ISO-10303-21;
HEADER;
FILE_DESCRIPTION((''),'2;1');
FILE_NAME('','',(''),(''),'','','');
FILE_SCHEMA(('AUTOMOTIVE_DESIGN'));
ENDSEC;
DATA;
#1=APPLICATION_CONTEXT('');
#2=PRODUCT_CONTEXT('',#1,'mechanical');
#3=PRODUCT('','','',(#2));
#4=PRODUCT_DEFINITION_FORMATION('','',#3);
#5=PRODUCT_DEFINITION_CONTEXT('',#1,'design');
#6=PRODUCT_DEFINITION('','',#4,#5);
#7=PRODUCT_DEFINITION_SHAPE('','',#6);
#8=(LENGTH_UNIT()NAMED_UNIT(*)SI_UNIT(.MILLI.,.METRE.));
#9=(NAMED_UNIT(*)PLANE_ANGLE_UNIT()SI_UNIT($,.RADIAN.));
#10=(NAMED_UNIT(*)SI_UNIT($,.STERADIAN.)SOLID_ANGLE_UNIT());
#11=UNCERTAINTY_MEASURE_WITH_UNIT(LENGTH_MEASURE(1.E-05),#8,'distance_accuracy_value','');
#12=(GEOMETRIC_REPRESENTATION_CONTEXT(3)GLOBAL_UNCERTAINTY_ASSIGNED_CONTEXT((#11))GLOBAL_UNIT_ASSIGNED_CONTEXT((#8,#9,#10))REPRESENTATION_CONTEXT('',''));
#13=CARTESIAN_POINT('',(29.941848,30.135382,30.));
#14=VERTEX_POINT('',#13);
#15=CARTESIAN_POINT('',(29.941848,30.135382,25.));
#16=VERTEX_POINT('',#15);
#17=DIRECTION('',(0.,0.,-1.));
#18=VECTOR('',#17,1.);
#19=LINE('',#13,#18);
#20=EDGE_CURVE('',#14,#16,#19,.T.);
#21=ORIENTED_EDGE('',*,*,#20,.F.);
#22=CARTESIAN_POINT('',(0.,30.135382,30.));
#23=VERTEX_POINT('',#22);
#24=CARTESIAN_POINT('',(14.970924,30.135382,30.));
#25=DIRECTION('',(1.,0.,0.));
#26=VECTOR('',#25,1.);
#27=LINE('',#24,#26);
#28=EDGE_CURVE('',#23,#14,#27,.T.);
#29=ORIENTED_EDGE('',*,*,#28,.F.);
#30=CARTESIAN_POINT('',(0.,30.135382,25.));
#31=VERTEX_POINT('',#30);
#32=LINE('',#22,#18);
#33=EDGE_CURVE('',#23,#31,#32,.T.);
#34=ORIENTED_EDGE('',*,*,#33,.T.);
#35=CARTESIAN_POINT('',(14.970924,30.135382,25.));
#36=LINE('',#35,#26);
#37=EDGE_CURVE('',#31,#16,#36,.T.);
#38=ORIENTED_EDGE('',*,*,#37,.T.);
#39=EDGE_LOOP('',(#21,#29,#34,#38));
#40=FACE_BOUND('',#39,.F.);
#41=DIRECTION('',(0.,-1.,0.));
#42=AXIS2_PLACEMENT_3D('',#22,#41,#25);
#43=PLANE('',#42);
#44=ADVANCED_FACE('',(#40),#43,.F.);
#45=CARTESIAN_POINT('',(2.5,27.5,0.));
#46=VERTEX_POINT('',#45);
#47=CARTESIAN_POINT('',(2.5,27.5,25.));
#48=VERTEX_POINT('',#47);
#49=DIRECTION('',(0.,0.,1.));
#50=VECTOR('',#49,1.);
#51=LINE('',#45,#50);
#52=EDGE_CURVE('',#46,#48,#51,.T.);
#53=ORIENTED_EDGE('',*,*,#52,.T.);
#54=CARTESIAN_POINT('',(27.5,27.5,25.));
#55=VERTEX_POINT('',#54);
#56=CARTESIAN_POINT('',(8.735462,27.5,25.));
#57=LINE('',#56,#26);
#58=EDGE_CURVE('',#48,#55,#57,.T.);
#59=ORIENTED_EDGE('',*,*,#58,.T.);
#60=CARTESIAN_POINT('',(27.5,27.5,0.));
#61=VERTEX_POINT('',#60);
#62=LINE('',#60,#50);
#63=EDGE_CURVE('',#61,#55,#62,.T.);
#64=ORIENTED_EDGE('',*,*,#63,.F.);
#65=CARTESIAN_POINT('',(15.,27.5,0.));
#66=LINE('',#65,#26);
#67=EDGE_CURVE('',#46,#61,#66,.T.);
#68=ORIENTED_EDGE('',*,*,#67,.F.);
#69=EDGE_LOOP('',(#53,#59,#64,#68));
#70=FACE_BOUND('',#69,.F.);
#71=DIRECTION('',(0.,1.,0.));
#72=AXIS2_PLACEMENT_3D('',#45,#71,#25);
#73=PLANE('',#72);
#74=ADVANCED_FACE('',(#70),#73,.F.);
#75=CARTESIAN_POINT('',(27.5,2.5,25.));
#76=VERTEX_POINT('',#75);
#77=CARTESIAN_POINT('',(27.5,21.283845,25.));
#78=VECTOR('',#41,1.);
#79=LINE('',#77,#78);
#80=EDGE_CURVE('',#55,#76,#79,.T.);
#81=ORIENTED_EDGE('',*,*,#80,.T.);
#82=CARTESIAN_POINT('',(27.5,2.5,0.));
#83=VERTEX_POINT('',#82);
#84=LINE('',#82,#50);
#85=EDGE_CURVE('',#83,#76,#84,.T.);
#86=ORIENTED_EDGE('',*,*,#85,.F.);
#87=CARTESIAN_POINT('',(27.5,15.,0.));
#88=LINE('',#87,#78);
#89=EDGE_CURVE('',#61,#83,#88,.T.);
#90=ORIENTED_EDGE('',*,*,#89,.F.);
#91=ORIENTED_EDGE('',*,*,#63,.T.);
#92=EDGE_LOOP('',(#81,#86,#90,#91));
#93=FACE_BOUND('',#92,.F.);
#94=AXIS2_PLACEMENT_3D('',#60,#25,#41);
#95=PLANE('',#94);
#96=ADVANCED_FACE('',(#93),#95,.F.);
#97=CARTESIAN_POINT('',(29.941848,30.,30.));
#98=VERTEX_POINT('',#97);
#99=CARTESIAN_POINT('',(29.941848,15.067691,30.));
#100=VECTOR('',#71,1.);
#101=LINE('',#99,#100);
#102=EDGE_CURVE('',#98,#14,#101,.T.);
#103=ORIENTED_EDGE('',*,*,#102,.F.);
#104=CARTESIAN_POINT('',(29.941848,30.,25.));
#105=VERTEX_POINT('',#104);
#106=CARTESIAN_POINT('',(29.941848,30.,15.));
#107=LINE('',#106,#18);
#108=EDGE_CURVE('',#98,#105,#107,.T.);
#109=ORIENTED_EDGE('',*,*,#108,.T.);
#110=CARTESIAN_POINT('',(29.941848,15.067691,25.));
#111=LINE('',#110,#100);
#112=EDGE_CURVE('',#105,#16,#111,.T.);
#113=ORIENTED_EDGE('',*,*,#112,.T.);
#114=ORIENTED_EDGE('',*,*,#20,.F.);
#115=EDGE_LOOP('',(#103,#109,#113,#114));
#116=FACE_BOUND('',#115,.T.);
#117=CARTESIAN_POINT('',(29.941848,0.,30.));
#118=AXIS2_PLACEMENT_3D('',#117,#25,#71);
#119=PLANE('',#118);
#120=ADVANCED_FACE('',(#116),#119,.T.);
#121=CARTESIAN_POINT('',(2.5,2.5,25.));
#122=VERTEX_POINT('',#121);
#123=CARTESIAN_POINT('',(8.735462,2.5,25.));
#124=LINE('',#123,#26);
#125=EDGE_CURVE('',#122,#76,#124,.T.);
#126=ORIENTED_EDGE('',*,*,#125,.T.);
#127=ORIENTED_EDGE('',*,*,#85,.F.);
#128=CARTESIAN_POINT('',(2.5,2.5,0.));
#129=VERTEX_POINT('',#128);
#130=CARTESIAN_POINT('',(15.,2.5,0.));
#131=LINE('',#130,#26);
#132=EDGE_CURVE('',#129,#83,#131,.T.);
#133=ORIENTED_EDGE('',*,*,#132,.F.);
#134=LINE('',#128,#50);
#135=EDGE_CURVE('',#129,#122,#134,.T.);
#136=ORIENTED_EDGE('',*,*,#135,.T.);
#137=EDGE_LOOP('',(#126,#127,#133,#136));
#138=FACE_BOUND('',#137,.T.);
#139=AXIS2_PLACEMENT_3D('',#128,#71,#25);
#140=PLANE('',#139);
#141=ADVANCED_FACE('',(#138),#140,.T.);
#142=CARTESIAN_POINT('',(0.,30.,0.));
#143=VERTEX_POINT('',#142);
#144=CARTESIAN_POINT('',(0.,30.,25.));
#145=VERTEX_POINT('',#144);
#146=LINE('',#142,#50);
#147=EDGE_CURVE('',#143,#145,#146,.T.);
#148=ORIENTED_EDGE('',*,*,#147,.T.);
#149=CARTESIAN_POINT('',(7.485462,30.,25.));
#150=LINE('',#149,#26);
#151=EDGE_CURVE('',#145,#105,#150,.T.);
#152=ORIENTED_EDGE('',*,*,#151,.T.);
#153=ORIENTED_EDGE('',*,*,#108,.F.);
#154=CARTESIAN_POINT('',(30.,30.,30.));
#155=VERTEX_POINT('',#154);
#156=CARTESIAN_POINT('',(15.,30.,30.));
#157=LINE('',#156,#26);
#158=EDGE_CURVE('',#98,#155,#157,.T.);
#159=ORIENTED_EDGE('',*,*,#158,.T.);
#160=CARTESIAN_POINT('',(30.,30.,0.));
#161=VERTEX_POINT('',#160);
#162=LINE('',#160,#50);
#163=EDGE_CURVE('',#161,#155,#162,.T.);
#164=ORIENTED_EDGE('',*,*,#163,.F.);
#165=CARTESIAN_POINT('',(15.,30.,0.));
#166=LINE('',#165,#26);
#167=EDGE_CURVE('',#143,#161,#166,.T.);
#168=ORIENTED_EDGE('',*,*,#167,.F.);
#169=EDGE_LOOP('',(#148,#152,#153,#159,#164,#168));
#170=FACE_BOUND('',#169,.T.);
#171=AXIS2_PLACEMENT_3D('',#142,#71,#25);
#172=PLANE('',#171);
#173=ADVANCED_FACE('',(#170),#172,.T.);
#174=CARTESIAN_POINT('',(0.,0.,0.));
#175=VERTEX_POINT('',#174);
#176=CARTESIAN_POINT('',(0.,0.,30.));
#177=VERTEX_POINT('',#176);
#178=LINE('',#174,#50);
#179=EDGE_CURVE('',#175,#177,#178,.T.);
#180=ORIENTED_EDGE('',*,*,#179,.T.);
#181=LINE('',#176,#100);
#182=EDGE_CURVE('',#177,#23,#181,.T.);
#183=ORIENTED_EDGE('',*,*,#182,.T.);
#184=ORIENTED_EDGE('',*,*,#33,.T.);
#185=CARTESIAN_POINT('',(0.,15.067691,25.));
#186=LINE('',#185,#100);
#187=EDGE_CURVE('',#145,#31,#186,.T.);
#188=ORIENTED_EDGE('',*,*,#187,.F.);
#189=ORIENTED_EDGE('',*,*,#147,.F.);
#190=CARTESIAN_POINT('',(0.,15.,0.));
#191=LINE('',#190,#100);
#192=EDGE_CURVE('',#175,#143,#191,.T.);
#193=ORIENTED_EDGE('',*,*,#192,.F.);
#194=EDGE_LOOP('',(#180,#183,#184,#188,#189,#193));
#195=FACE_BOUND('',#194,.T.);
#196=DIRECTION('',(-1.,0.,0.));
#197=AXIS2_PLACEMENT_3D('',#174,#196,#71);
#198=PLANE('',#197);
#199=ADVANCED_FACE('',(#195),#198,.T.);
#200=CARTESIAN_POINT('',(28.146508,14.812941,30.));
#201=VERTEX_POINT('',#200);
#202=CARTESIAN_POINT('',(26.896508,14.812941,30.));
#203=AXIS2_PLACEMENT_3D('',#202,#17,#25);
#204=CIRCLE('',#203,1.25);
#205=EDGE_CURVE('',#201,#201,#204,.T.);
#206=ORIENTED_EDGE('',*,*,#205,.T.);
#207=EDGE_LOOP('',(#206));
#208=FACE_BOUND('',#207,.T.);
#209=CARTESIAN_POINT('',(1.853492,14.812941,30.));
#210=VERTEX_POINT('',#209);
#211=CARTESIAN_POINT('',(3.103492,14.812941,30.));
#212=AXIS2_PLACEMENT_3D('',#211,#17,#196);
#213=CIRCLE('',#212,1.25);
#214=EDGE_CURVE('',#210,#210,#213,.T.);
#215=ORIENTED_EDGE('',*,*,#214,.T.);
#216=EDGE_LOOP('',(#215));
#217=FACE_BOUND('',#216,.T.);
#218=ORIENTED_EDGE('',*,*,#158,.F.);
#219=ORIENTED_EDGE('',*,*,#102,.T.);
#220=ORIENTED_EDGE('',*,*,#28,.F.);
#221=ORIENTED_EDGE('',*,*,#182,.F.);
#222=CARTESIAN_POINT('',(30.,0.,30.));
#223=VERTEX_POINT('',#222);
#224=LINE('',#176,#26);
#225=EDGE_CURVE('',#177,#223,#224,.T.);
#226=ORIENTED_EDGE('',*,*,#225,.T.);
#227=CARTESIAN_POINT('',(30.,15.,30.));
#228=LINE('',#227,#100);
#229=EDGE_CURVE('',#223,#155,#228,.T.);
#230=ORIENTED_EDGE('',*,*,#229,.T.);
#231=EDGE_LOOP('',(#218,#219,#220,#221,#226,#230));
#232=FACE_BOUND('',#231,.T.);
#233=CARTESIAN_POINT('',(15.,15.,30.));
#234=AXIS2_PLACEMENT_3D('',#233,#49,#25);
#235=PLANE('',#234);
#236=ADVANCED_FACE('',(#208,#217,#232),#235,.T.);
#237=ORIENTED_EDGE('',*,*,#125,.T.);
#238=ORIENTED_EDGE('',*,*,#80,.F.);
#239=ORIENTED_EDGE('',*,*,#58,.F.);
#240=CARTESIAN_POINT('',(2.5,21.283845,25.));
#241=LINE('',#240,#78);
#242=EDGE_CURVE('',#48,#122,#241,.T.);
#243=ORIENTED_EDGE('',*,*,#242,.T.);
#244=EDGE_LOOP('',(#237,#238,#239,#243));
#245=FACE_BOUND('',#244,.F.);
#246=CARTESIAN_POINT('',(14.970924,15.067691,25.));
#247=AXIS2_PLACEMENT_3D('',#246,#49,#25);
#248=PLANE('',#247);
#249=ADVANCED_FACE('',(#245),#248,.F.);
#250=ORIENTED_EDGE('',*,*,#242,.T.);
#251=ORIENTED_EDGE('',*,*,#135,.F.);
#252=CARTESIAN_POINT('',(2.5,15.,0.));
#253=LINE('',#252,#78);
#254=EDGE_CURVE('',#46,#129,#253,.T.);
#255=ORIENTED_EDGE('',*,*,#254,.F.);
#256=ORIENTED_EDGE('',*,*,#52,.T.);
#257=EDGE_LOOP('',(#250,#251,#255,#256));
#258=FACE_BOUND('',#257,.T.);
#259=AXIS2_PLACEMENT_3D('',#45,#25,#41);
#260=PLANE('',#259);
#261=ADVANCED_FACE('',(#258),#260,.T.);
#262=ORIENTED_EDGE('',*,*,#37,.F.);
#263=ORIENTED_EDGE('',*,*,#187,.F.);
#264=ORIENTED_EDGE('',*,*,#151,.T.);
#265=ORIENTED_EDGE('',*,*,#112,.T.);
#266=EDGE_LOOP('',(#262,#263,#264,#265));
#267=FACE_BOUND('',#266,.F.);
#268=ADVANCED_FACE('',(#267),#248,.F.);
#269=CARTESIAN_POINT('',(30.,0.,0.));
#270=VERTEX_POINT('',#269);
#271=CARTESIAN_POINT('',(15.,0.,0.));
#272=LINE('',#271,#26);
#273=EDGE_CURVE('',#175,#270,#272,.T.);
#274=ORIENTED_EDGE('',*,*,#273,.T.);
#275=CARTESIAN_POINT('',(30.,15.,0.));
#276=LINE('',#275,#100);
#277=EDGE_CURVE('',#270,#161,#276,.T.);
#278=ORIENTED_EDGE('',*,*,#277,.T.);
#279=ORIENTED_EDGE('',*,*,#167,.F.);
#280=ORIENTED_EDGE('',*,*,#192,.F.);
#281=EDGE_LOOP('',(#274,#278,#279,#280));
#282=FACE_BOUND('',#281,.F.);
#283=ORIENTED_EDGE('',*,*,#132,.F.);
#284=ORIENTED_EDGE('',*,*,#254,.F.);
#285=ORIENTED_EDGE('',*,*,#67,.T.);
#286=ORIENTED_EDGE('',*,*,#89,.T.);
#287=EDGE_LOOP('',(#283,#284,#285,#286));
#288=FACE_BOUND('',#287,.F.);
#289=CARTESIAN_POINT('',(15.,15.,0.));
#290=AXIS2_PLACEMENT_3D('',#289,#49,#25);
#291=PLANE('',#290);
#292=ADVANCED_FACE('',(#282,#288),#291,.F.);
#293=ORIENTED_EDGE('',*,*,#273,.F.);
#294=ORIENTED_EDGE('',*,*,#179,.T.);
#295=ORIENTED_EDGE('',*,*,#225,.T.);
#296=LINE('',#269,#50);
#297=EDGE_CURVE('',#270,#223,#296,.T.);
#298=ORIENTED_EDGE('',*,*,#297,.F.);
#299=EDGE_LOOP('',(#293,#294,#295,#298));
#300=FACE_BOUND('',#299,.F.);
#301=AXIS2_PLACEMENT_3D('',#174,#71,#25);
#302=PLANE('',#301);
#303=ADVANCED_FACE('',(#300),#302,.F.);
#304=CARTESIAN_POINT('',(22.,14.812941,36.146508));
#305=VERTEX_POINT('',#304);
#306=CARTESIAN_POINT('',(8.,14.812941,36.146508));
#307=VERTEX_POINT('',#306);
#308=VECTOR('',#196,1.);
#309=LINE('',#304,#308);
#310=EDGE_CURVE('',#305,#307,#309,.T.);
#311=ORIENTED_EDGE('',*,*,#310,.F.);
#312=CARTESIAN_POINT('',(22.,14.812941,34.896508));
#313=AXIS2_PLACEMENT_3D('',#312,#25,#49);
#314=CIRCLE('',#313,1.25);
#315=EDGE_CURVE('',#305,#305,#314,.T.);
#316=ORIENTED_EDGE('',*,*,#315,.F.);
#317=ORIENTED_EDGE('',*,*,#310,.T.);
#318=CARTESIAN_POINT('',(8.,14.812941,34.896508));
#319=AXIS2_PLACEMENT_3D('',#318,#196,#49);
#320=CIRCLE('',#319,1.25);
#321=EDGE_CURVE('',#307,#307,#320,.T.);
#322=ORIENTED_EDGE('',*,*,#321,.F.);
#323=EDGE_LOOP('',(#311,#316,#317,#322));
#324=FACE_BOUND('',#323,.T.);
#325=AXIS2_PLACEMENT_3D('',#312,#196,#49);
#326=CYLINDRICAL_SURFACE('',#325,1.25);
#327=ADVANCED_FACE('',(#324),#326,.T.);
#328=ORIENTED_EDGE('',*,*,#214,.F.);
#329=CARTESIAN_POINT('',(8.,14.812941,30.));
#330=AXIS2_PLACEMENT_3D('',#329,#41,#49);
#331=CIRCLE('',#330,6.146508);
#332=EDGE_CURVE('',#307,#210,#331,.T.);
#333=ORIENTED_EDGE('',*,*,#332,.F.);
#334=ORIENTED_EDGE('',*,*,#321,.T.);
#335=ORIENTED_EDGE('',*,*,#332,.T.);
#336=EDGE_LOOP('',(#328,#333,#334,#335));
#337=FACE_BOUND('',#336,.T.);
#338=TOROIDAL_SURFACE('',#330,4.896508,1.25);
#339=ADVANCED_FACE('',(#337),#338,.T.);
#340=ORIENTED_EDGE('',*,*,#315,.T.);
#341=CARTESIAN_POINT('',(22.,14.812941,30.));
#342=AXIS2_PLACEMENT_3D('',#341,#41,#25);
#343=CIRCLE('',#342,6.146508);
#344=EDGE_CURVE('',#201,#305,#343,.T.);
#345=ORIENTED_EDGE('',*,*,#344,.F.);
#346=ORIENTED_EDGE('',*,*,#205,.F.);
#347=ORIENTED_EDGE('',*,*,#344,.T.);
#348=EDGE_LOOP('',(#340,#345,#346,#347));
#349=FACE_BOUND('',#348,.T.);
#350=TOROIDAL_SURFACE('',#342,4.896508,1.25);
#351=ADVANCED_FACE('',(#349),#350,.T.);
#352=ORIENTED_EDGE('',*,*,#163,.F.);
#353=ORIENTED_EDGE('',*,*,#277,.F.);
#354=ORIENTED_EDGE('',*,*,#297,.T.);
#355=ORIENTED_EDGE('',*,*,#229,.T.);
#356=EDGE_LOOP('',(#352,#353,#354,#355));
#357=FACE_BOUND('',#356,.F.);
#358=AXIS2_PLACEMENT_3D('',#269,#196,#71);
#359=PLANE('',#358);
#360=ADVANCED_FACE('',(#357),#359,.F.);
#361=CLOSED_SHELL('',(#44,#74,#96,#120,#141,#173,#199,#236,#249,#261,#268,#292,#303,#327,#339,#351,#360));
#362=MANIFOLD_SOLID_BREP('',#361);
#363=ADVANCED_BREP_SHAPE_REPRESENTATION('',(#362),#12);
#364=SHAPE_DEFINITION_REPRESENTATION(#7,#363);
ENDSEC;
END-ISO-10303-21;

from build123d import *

# Parameters (mm, degrees)
F0_W      = 30
F0_H      = 30
F1_DEPTH  = 30
F5_R      = 1.25
F7_W      = 25
F7_H      = 25
F8_DEPTH  = 30
F9_W      = 29.9418475479
F9_H      = 30.1353819668
F10_DEPTH = 5


with BuildPart() as f1:
    # F0 (on Top) → F1 (new body)
    with BuildSketch(Plane.XY):
        with Locations((15, 15)):
            Rectangle(F0_W, F0_H)
    extrude(amount=F1_DEPTH)

    # F6: sweep along a path in F4
    with BuildLine(Plane(origin=(0, 15, 0), x_dir=(-1, 0, 0), z_dir=(0, 1, 0))) as f6_path:
        ThreePointArc((-27, 30), (-25.5355339059, 33.5355339059), (-22, 35))
        Line((-22, 35), (-8, 35))
        ThreePointArc((-8, 35), (-4.4644660941, 33.5355339059), (-3, 30))
    # F5 (on face) → F6 (sweep)
    with BuildSketch(Plane.XY.offset(30)):
        with Locations((26.8965084106, 14.8129407316)):
            Circle(F5_R)
    sweep(path=f6_path.line)

    # F7 (on face) → F8 (cut, through all)
    with BuildSketch(Plane(origin=(0, 0, 0), x_dir=(1, 0, 0), z_dir=(0, 0, -1))):
        with Locations((15, -15)):
            Rectangle(F7_W, F7_H)
    extrude(amount=-F8_DEPTH, mode=Mode.SUBTRACT)

    # F9 (on face) → F10 (join)
    with BuildSketch(Plane.XY.offset(30)):
        with Locations((14.9709237739, 15.0676909834)):
            Rectangle(F9_W, F9_H)
    extrude(amount=-F10_DEPTH)


solid = f1.part
